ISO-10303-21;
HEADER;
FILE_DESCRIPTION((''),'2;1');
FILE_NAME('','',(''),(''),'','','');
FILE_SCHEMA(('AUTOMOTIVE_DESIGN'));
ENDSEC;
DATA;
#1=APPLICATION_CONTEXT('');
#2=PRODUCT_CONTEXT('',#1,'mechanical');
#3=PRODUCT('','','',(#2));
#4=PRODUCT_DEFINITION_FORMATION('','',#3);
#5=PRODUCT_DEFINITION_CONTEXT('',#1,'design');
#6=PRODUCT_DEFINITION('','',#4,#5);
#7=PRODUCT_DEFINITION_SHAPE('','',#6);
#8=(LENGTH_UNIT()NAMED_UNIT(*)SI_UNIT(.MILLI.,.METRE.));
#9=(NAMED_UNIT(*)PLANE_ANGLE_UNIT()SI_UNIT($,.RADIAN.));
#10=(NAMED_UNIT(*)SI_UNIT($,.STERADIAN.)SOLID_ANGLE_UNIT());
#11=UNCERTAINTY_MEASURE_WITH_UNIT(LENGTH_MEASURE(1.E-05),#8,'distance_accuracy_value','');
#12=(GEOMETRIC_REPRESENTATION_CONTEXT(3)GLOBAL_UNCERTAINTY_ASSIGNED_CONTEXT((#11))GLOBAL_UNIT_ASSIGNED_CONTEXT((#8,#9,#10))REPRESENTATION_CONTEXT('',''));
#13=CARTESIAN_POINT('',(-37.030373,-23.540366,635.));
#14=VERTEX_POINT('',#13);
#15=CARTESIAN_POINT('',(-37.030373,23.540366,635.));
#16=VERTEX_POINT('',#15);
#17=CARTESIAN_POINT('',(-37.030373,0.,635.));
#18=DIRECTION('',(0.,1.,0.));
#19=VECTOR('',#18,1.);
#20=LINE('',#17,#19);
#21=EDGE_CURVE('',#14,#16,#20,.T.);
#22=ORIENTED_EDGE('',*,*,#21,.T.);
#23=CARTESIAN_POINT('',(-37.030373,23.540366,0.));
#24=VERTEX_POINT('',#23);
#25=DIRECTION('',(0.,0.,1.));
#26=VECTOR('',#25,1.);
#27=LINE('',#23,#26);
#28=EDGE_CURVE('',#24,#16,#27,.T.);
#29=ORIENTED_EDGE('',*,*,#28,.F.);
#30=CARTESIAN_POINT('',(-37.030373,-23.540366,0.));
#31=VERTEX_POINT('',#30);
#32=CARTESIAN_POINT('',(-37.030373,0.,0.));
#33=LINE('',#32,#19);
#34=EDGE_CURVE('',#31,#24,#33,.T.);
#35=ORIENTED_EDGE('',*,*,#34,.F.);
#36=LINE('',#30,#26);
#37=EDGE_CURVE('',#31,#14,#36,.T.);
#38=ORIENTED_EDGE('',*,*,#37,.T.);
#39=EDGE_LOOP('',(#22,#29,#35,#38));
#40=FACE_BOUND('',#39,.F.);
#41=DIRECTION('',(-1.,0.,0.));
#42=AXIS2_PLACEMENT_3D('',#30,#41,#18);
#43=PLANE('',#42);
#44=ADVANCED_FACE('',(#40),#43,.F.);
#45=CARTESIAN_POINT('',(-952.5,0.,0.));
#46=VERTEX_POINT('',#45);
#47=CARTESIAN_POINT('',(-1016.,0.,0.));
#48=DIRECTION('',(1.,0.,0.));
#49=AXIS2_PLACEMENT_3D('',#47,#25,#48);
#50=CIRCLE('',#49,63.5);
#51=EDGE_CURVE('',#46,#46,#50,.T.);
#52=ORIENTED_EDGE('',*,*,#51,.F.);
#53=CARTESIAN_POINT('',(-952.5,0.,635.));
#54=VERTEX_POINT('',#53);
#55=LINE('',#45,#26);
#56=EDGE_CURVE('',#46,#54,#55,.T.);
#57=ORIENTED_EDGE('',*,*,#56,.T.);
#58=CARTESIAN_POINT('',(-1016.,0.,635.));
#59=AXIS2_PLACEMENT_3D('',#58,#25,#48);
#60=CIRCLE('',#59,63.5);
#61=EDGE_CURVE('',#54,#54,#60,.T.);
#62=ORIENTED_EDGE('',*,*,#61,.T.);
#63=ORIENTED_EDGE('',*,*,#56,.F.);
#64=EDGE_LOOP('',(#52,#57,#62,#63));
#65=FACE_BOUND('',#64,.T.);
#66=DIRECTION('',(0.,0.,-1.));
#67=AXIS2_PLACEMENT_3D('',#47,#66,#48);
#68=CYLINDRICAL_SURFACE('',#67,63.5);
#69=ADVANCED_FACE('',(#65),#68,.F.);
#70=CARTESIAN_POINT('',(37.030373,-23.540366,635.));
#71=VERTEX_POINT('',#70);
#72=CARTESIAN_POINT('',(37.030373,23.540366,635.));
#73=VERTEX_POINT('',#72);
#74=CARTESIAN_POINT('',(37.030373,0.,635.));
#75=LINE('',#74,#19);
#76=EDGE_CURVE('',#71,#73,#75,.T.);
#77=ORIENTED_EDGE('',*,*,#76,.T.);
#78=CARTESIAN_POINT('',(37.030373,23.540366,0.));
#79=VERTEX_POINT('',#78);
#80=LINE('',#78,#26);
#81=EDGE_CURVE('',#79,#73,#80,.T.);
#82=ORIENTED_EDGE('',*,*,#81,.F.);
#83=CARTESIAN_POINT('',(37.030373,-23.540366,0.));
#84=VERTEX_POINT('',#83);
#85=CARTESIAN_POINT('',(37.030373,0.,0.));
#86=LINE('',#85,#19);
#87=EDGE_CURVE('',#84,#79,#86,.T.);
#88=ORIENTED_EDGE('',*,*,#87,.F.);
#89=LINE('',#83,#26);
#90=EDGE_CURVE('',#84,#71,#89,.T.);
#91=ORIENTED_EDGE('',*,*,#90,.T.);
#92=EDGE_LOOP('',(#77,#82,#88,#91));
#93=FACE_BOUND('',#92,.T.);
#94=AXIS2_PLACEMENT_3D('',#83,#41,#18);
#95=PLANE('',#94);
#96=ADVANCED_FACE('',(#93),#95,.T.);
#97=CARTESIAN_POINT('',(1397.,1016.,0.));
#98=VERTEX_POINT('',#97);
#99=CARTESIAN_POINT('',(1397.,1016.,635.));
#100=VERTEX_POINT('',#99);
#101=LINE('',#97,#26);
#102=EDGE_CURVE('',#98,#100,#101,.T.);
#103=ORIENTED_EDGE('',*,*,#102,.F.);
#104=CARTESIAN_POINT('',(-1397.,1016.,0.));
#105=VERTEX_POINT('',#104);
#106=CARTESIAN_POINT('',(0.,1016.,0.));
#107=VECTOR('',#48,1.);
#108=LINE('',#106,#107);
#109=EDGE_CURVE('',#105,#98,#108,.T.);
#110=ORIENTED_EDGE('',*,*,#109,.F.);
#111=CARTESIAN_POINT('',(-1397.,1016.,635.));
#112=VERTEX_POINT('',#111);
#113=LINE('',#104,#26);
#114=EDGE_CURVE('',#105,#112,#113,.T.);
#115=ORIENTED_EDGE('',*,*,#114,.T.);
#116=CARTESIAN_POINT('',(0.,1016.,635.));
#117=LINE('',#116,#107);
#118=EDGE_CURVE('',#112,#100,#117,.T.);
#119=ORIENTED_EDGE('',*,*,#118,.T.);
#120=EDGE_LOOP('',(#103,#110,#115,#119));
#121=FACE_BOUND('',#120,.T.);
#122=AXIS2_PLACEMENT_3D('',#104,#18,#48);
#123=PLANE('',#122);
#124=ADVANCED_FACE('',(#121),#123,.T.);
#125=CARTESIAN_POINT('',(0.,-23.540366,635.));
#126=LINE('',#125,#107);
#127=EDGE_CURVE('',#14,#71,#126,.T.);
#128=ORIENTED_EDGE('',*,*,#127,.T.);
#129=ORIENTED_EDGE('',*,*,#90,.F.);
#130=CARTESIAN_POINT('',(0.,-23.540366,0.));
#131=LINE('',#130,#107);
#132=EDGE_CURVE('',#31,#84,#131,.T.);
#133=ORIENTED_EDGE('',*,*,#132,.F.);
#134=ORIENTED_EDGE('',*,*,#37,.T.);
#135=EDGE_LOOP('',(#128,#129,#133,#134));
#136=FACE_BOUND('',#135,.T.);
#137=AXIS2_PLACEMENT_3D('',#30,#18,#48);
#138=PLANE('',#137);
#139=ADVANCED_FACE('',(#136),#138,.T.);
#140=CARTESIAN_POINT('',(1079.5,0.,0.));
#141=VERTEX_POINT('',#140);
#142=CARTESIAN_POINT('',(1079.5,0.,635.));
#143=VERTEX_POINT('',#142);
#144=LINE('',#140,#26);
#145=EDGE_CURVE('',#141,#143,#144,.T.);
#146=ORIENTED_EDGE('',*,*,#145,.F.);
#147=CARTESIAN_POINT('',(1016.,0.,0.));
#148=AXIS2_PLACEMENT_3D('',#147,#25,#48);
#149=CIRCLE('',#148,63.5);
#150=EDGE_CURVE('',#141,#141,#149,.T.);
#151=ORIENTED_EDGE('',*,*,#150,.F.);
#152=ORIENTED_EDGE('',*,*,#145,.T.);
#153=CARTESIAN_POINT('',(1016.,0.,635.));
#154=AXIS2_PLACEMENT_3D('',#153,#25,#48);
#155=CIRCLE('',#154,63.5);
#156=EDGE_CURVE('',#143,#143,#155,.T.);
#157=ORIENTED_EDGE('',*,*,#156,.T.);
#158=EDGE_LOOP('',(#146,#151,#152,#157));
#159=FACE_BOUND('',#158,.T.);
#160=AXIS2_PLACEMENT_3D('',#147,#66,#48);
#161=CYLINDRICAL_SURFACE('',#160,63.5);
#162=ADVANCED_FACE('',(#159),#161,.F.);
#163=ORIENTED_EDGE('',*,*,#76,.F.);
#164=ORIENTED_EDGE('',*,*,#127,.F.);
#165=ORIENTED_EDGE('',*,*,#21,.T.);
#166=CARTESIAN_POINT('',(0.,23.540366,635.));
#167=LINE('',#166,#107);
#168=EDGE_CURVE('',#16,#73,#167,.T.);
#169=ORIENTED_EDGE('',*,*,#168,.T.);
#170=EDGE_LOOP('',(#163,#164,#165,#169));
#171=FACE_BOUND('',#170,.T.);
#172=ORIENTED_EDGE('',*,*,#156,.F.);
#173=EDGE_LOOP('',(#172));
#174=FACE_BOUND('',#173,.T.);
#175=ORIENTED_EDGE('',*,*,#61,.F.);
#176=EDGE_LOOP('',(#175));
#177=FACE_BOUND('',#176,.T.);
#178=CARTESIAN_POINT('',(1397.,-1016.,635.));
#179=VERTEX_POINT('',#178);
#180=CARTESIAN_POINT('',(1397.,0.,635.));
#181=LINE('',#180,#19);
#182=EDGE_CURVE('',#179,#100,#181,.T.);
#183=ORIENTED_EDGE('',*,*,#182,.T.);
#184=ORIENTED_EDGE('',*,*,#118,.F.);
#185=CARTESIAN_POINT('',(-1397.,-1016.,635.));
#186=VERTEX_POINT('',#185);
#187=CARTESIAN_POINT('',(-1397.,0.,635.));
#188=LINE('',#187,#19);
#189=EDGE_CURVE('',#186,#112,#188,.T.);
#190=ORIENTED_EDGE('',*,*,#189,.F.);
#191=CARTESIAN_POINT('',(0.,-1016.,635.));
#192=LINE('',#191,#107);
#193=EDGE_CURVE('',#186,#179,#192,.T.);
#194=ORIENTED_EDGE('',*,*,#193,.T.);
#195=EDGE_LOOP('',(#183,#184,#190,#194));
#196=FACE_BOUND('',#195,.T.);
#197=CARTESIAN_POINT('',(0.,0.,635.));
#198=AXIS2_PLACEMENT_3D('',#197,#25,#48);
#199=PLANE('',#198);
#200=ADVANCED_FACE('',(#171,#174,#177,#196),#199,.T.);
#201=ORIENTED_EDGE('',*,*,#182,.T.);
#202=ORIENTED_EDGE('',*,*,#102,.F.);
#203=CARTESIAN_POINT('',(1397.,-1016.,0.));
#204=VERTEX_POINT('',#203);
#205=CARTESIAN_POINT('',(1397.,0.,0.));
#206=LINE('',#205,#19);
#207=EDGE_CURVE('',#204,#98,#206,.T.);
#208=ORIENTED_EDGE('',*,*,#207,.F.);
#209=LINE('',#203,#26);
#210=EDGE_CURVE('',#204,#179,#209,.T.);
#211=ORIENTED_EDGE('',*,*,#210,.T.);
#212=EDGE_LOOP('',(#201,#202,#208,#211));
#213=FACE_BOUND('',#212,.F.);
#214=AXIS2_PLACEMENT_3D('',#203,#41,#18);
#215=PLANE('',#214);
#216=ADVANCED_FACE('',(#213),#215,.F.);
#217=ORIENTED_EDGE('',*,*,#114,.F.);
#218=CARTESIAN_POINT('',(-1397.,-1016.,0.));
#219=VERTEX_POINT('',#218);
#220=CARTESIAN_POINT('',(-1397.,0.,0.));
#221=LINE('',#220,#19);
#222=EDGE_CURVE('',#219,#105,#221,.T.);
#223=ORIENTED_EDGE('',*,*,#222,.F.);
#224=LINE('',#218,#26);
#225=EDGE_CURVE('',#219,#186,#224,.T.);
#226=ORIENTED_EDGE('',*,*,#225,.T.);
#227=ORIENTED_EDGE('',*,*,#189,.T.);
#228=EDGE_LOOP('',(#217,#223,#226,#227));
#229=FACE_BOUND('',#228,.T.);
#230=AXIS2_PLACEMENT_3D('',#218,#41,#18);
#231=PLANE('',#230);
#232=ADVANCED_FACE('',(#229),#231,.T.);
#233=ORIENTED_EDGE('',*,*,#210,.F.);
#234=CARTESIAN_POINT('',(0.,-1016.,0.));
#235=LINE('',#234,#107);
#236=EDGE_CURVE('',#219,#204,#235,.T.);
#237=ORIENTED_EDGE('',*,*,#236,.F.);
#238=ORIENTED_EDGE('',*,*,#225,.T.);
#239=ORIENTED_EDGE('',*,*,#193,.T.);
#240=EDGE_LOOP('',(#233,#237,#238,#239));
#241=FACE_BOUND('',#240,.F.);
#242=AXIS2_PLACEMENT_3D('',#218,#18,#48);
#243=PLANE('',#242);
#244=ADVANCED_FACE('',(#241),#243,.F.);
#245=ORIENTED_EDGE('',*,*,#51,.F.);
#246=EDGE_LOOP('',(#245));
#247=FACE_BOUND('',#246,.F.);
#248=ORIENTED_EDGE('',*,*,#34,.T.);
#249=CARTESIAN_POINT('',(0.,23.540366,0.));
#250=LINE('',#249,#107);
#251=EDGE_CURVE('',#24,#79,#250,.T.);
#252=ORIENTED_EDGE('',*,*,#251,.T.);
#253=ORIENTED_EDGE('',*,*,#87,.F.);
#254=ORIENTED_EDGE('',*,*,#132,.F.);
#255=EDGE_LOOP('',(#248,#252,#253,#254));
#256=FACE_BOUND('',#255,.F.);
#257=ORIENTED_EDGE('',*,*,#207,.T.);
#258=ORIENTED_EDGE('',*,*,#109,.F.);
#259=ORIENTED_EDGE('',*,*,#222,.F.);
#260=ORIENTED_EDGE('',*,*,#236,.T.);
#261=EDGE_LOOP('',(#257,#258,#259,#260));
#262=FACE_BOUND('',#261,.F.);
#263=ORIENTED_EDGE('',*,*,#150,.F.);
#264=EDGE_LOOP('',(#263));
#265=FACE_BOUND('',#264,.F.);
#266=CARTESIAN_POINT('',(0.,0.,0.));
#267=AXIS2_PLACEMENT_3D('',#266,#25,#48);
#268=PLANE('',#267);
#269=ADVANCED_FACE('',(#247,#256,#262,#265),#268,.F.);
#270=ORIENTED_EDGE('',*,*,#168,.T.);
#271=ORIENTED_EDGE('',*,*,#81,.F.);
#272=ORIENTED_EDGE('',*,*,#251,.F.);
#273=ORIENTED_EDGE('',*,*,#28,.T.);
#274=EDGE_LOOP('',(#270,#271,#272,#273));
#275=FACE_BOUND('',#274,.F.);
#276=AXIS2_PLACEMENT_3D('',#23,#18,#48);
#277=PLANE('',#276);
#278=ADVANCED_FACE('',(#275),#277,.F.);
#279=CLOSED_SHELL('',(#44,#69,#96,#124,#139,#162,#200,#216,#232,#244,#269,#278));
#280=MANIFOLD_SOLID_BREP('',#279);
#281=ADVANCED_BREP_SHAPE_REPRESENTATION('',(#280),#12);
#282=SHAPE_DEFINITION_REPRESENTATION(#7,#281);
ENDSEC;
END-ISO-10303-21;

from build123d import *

# Parameters (mm, degrees)
F0_W     = 2794
F0_H     = 2032
F0_R     = 63.5
F0_W_2   = 74.060746
F0_H_2   = 47.080732
F1_DEPTH = 635


with BuildPart() as f1:
    # F0 (on Top) → F1 (new body)
    with BuildSketch(Plane.XY):
        Rectangle(F0_W, F0_H)
        with Locations((-1016, 0)):
            Circle(F0_R, mode=Mode.SUBTRACT)
        Rectangle(F0_W_2, F0_H_2, mode=Mode.SUBTRACT)
        with Locations((1016, 0)):
            Circle(F0_R, mode=Mode.SUBTRACT)
    extrude(amount=F1_DEPTH)


solid = f1.part
